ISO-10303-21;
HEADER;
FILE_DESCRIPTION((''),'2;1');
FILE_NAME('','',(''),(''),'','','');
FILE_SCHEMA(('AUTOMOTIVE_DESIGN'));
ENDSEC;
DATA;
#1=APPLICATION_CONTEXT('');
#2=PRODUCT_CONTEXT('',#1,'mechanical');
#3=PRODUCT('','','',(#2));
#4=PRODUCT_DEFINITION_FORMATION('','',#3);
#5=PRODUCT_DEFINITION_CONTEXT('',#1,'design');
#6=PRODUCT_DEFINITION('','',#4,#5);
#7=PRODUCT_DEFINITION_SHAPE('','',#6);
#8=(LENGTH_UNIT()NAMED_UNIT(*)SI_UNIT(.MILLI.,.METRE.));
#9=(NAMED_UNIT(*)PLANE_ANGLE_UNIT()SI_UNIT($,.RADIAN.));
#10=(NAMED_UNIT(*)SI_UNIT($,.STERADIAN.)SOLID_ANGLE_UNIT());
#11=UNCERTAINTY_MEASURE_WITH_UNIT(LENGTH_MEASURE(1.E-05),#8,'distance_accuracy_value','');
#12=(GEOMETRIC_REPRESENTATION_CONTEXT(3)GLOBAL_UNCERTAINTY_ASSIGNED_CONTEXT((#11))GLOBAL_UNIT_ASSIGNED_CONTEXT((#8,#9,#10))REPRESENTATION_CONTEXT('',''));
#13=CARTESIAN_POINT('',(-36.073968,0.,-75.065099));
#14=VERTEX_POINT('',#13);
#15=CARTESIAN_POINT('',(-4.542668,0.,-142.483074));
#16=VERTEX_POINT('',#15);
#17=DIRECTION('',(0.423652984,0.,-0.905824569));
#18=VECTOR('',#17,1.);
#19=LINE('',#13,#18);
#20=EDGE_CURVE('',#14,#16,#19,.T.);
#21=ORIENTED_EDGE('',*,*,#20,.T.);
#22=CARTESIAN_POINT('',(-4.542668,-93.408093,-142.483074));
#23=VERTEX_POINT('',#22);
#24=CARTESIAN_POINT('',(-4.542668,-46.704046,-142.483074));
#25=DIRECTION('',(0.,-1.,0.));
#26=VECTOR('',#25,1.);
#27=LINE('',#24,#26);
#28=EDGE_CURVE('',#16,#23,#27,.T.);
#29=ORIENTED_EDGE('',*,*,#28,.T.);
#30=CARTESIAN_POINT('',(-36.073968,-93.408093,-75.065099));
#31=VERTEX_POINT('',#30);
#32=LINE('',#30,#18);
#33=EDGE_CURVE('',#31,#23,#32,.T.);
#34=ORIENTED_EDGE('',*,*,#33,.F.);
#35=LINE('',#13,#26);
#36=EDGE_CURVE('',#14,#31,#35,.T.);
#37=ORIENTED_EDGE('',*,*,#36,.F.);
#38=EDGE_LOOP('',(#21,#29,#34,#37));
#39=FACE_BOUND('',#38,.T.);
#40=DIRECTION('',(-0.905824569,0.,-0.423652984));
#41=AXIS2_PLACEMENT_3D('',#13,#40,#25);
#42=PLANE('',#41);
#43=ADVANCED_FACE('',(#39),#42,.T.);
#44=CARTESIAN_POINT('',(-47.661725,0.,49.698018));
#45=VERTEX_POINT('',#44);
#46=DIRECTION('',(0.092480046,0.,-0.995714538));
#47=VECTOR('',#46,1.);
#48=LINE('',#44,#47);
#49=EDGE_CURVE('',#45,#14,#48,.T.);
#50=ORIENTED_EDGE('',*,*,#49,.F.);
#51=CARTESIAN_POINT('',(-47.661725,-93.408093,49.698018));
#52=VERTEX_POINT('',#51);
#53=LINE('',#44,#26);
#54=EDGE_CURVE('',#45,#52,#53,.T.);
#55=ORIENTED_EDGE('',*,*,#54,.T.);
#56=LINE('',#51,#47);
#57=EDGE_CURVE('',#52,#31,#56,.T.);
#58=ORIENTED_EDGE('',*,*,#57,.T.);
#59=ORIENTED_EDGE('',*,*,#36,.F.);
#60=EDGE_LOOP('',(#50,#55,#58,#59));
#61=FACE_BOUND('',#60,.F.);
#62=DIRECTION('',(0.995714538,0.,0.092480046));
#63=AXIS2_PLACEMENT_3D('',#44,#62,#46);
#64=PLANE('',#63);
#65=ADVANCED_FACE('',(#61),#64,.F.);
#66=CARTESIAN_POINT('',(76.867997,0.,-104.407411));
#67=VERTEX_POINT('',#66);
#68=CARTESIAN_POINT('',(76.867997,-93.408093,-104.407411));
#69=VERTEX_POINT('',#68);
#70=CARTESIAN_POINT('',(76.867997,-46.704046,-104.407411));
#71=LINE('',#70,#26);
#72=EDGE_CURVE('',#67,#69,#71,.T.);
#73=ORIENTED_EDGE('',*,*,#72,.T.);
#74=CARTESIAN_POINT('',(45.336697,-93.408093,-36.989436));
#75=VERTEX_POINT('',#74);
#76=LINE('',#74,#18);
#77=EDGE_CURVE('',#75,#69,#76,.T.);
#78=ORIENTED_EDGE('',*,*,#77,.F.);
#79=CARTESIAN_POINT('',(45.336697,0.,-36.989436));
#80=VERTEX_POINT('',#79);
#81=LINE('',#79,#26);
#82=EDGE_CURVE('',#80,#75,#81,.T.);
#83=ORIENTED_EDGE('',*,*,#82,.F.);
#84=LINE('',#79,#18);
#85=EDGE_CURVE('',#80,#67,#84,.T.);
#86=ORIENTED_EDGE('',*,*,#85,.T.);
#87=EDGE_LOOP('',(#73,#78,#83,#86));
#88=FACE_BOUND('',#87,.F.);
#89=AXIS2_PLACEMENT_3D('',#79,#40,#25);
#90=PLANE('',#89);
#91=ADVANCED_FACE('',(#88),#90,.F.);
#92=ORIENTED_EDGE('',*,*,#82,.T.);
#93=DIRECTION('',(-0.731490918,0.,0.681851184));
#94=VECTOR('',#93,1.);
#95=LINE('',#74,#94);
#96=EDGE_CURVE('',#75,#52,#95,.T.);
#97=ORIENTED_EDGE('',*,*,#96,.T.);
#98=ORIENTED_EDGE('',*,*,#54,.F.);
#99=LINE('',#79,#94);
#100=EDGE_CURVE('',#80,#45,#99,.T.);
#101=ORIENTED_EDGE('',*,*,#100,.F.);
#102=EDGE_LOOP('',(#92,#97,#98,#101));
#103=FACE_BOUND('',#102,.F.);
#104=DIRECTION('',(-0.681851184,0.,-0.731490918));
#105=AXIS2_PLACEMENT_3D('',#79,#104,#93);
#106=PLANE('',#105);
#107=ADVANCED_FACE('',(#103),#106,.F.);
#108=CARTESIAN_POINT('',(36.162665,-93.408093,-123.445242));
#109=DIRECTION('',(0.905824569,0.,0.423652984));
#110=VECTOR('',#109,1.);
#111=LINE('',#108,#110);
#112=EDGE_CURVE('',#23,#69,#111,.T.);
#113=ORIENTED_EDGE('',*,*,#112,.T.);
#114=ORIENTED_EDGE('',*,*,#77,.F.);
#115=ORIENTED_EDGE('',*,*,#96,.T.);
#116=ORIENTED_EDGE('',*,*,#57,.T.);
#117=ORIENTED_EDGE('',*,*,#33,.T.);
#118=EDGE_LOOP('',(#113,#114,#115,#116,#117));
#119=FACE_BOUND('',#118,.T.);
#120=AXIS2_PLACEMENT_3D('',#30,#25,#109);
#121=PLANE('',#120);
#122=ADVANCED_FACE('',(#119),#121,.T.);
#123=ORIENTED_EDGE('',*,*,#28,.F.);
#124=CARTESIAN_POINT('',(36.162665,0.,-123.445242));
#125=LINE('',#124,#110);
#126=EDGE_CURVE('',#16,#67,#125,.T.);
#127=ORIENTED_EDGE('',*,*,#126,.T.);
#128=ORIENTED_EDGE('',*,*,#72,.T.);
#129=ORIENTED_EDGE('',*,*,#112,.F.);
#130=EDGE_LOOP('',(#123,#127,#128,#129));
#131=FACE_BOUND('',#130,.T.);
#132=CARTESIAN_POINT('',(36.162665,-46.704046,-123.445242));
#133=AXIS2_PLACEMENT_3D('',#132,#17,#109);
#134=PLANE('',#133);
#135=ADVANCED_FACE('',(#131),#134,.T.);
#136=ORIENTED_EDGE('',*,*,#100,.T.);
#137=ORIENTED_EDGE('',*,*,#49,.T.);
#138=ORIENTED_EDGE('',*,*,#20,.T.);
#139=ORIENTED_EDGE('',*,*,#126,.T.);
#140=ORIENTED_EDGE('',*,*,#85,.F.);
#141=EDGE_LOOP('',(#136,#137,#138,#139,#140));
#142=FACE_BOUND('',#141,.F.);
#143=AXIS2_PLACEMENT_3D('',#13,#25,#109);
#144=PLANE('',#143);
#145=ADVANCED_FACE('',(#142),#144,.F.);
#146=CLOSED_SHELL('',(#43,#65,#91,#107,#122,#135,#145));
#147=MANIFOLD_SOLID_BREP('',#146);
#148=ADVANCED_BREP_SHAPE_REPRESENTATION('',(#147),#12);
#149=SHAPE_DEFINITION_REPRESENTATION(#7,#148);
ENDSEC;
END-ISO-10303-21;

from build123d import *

# Parameters (mm, degrees)
F1_DEPTH = 93.4080928564
F2_W     = 89.8746488761
F2_H     = 93.4080928564
F3_DEPTH = 74.4271874428


with BuildPart() as f1:
    # F0 (on Front) → F1 (new body)
    with BuildSketch(Plane.XZ):
        Polygon((45.3366972506, -36.9894355536), (-47.6617254317, 49.6980175376), (-36.0739678144, -75.0650987029), align=None)
    extrude(amount=F1_DEPTH)

    # F2 (on face) → F3 (join)
    with BuildSketch(Plane(origin=(22.3320055632, 0, -47.7487002131), x_dir=(0.9058245688, 0, 0.4236529836), z_dir=(0.4236529836, 0, -0.9058245688))):
        with Locations((-19.540914935, 46.7040464282)):
            Rectangle(F2_W, F2_H)
    extrude(amount=F3_DEPTH)


solid = f1.part
